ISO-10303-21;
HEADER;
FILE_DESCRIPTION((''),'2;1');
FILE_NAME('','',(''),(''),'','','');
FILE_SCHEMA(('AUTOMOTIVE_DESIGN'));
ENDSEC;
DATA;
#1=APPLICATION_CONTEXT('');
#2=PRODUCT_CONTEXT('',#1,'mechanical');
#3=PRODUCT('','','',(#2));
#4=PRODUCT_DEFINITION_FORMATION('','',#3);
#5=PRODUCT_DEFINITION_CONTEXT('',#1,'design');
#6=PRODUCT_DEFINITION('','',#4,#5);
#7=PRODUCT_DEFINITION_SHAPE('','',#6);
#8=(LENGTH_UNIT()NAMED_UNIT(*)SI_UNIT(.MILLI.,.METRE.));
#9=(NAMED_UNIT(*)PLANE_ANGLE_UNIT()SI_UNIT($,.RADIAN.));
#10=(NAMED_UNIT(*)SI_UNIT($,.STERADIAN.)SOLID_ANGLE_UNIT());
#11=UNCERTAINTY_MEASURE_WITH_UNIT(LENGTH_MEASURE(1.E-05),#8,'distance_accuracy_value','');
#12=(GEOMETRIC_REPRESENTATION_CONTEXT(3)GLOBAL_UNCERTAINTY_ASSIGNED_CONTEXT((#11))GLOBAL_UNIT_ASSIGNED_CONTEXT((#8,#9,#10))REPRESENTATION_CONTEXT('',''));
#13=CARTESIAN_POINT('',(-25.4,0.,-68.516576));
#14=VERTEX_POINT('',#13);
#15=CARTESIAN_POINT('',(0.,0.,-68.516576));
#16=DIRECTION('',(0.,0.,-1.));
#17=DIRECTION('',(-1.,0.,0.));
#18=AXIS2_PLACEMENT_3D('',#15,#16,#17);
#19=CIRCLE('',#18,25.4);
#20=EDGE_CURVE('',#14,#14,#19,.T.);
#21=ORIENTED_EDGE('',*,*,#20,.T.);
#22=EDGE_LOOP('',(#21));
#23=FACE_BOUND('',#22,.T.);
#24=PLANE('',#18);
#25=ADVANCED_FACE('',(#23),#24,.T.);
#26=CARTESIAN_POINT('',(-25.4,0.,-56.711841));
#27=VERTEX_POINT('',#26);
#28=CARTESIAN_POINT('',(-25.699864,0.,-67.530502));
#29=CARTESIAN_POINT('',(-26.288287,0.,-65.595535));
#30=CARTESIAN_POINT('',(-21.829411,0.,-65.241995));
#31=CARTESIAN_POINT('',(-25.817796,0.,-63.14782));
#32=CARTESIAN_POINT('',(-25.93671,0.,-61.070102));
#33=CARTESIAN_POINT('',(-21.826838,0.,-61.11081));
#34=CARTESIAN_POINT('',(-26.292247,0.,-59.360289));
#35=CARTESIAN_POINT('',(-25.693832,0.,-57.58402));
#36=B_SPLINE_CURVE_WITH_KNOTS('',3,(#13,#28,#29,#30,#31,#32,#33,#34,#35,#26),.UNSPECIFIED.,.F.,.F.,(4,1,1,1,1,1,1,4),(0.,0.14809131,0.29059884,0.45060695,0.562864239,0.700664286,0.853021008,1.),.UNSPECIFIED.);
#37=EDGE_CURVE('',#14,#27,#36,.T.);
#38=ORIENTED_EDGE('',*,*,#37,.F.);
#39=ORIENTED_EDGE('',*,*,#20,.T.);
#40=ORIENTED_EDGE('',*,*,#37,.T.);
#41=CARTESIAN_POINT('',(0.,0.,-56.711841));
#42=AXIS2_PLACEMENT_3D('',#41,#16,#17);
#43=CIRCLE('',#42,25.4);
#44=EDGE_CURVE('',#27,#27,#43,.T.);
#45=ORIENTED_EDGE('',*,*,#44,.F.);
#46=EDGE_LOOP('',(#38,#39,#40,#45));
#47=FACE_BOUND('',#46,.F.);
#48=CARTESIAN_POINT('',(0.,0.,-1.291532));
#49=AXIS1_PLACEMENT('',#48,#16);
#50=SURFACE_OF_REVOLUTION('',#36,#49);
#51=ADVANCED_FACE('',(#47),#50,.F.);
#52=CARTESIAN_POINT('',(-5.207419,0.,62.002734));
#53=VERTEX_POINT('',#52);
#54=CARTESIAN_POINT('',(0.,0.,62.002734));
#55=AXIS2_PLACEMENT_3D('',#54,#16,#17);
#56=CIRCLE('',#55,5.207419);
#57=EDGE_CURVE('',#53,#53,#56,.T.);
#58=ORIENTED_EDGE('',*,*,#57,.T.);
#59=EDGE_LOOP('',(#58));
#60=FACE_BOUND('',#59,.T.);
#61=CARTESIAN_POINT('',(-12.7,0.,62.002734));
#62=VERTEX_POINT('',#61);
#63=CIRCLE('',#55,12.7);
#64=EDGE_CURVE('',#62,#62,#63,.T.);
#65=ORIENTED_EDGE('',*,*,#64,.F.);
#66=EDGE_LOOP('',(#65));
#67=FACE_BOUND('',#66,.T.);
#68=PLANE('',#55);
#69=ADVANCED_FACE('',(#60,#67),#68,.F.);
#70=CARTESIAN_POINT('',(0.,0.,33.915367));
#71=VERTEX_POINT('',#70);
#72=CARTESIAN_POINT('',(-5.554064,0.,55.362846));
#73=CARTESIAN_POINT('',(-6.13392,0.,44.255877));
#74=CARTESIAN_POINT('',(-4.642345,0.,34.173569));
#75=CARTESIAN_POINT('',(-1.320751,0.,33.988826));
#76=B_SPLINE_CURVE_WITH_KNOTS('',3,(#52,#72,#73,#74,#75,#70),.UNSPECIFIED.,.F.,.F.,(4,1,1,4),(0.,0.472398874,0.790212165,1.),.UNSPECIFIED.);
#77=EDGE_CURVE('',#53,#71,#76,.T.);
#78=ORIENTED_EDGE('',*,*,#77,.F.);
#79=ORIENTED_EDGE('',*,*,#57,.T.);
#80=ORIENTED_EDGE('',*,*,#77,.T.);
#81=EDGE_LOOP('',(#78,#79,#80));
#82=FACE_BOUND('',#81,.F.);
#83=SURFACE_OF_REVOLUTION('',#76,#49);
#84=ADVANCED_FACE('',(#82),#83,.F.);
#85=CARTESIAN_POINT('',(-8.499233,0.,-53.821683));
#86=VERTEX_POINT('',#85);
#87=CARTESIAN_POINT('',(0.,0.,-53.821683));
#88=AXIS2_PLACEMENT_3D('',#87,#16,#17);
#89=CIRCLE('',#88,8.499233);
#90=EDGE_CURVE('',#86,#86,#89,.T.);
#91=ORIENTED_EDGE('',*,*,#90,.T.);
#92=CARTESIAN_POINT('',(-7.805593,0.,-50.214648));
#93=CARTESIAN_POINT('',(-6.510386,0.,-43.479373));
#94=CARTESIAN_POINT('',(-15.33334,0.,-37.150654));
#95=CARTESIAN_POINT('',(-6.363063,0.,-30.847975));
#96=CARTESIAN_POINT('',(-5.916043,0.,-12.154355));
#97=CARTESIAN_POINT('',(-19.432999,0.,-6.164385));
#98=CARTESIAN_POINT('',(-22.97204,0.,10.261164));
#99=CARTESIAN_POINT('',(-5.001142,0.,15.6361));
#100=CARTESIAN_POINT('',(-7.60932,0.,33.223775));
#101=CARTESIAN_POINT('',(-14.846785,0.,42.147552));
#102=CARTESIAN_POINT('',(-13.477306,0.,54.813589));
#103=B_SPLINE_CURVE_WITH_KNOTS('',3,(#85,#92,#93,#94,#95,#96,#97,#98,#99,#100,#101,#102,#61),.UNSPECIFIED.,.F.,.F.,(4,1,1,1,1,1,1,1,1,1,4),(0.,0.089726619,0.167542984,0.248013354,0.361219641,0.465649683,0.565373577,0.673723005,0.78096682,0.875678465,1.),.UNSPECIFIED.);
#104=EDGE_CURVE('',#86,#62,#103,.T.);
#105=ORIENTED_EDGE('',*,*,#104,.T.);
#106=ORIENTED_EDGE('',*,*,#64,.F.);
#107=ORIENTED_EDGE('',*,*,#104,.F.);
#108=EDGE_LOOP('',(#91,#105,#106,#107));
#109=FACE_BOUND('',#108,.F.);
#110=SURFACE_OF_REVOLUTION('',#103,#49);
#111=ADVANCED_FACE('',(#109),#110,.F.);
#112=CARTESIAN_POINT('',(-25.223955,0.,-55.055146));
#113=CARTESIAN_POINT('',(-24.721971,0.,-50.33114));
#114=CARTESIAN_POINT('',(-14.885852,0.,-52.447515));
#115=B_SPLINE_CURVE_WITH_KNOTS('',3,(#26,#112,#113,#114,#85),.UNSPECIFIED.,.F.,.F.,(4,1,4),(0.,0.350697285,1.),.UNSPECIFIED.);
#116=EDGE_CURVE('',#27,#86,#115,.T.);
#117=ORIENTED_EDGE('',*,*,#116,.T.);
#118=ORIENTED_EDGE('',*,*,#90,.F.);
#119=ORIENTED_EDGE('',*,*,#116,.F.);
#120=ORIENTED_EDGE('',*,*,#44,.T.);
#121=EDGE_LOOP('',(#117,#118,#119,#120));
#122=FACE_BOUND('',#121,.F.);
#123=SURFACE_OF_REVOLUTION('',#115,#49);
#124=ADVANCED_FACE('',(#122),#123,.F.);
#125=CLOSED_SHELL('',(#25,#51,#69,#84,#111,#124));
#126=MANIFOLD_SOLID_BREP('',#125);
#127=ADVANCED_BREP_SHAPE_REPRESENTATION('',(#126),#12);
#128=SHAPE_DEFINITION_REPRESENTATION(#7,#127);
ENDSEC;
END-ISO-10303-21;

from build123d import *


with BuildPart() as f1:
    # F0 (on Front) → F1 (revolve)
    with BuildSketch(Plane.XZ):
        with BuildLine():
            add(Edge.make_bspline(
                [(-5.2074189298, 62.0027338934), (-5.5540642341, 55.3628462812), (-6.1339202666, 44.255876595), (-4.6423445499, 34.1735688644), (-1.3207512747, 33.9888256507), (0, 33.9153669775)],
                knots=[0, 0, 0, 0, 0.4723988736, 0.7902121655, 1, 1, 1, 1], degree=3))
            Line((-5.2074189298, 62.0027338934), (-12.7, 62.0027338934))
            add(Edge.make_bspline(
                [(-8.4992330521, -53.82168293), (-7.805592946, -50.2146479564), (-6.5103860708, -43.4793734882), (-15.3333397026, -37.1506543056), (-6.3630628912, -30.8479754429), (-5.9160429628, -12.154355068), (-19.4329988708, -6.1643845878), (-22.9720402644, 10.2611636379), (-5.0011420467, 15.6361001052), (-7.6093202031, 33.2237746452), (-14.8467845766, 42.1475519975), (-13.4773056299, 54.8135893285), (-12.7, 62.0027338934)],
                knots=[0, 0, 0, 0, 0.0897266186, 0.167542984, 0.2480133542, 0.3612196407, 0.4656496832, 0.5653735773, 0.673723005, 0.7809668196, 0.8756784654, 1, 1, 1, 1], degree=3))
            add(Edge.make_bspline(
                [(-25.4, -56.7118413746), (-25.2239554198, -55.0551455349), (-24.7219709796, -50.3311402128), (-14.8858518865, -52.4475150208), (-8.4992330521, -53.82168293)],
                knots=[0, 0, 0, 0, 0.3506972848, 1, 1, 1, 1], degree=3))
            add(Edge.make_bspline(
                [(-25.4, -68.5165755995), (-25.6998644177, -67.5305019746), (-26.2882868704, -65.5955346138), (-21.8294111297, -65.2419948838), (-25.8177956605, -63.147819536), (-25.9367097619, -61.070102013), (-21.8268383575, -61.1108104664), (-26.2922470591, -59.3602886782), (-25.693832069, -57.5840199298), (-25.4, -56.7118413746)],
                knots=[0, 0, 0, 0, 0.14809131, 0.2905988398, 0.4506069501, 0.5628642389, 0.7006642857, 0.8530210077, 1, 1, 1, 1], degree=3))
            Line((-25.4, -68.5165755995), (0, -68.5165755995))
            Line((0, -68.5165755995), (0, 33.9153669775))
        make_face()
    revolve(axis=Axis((0, 0, -1.291531997), (0, 0, -1)))


solid = f1.part
